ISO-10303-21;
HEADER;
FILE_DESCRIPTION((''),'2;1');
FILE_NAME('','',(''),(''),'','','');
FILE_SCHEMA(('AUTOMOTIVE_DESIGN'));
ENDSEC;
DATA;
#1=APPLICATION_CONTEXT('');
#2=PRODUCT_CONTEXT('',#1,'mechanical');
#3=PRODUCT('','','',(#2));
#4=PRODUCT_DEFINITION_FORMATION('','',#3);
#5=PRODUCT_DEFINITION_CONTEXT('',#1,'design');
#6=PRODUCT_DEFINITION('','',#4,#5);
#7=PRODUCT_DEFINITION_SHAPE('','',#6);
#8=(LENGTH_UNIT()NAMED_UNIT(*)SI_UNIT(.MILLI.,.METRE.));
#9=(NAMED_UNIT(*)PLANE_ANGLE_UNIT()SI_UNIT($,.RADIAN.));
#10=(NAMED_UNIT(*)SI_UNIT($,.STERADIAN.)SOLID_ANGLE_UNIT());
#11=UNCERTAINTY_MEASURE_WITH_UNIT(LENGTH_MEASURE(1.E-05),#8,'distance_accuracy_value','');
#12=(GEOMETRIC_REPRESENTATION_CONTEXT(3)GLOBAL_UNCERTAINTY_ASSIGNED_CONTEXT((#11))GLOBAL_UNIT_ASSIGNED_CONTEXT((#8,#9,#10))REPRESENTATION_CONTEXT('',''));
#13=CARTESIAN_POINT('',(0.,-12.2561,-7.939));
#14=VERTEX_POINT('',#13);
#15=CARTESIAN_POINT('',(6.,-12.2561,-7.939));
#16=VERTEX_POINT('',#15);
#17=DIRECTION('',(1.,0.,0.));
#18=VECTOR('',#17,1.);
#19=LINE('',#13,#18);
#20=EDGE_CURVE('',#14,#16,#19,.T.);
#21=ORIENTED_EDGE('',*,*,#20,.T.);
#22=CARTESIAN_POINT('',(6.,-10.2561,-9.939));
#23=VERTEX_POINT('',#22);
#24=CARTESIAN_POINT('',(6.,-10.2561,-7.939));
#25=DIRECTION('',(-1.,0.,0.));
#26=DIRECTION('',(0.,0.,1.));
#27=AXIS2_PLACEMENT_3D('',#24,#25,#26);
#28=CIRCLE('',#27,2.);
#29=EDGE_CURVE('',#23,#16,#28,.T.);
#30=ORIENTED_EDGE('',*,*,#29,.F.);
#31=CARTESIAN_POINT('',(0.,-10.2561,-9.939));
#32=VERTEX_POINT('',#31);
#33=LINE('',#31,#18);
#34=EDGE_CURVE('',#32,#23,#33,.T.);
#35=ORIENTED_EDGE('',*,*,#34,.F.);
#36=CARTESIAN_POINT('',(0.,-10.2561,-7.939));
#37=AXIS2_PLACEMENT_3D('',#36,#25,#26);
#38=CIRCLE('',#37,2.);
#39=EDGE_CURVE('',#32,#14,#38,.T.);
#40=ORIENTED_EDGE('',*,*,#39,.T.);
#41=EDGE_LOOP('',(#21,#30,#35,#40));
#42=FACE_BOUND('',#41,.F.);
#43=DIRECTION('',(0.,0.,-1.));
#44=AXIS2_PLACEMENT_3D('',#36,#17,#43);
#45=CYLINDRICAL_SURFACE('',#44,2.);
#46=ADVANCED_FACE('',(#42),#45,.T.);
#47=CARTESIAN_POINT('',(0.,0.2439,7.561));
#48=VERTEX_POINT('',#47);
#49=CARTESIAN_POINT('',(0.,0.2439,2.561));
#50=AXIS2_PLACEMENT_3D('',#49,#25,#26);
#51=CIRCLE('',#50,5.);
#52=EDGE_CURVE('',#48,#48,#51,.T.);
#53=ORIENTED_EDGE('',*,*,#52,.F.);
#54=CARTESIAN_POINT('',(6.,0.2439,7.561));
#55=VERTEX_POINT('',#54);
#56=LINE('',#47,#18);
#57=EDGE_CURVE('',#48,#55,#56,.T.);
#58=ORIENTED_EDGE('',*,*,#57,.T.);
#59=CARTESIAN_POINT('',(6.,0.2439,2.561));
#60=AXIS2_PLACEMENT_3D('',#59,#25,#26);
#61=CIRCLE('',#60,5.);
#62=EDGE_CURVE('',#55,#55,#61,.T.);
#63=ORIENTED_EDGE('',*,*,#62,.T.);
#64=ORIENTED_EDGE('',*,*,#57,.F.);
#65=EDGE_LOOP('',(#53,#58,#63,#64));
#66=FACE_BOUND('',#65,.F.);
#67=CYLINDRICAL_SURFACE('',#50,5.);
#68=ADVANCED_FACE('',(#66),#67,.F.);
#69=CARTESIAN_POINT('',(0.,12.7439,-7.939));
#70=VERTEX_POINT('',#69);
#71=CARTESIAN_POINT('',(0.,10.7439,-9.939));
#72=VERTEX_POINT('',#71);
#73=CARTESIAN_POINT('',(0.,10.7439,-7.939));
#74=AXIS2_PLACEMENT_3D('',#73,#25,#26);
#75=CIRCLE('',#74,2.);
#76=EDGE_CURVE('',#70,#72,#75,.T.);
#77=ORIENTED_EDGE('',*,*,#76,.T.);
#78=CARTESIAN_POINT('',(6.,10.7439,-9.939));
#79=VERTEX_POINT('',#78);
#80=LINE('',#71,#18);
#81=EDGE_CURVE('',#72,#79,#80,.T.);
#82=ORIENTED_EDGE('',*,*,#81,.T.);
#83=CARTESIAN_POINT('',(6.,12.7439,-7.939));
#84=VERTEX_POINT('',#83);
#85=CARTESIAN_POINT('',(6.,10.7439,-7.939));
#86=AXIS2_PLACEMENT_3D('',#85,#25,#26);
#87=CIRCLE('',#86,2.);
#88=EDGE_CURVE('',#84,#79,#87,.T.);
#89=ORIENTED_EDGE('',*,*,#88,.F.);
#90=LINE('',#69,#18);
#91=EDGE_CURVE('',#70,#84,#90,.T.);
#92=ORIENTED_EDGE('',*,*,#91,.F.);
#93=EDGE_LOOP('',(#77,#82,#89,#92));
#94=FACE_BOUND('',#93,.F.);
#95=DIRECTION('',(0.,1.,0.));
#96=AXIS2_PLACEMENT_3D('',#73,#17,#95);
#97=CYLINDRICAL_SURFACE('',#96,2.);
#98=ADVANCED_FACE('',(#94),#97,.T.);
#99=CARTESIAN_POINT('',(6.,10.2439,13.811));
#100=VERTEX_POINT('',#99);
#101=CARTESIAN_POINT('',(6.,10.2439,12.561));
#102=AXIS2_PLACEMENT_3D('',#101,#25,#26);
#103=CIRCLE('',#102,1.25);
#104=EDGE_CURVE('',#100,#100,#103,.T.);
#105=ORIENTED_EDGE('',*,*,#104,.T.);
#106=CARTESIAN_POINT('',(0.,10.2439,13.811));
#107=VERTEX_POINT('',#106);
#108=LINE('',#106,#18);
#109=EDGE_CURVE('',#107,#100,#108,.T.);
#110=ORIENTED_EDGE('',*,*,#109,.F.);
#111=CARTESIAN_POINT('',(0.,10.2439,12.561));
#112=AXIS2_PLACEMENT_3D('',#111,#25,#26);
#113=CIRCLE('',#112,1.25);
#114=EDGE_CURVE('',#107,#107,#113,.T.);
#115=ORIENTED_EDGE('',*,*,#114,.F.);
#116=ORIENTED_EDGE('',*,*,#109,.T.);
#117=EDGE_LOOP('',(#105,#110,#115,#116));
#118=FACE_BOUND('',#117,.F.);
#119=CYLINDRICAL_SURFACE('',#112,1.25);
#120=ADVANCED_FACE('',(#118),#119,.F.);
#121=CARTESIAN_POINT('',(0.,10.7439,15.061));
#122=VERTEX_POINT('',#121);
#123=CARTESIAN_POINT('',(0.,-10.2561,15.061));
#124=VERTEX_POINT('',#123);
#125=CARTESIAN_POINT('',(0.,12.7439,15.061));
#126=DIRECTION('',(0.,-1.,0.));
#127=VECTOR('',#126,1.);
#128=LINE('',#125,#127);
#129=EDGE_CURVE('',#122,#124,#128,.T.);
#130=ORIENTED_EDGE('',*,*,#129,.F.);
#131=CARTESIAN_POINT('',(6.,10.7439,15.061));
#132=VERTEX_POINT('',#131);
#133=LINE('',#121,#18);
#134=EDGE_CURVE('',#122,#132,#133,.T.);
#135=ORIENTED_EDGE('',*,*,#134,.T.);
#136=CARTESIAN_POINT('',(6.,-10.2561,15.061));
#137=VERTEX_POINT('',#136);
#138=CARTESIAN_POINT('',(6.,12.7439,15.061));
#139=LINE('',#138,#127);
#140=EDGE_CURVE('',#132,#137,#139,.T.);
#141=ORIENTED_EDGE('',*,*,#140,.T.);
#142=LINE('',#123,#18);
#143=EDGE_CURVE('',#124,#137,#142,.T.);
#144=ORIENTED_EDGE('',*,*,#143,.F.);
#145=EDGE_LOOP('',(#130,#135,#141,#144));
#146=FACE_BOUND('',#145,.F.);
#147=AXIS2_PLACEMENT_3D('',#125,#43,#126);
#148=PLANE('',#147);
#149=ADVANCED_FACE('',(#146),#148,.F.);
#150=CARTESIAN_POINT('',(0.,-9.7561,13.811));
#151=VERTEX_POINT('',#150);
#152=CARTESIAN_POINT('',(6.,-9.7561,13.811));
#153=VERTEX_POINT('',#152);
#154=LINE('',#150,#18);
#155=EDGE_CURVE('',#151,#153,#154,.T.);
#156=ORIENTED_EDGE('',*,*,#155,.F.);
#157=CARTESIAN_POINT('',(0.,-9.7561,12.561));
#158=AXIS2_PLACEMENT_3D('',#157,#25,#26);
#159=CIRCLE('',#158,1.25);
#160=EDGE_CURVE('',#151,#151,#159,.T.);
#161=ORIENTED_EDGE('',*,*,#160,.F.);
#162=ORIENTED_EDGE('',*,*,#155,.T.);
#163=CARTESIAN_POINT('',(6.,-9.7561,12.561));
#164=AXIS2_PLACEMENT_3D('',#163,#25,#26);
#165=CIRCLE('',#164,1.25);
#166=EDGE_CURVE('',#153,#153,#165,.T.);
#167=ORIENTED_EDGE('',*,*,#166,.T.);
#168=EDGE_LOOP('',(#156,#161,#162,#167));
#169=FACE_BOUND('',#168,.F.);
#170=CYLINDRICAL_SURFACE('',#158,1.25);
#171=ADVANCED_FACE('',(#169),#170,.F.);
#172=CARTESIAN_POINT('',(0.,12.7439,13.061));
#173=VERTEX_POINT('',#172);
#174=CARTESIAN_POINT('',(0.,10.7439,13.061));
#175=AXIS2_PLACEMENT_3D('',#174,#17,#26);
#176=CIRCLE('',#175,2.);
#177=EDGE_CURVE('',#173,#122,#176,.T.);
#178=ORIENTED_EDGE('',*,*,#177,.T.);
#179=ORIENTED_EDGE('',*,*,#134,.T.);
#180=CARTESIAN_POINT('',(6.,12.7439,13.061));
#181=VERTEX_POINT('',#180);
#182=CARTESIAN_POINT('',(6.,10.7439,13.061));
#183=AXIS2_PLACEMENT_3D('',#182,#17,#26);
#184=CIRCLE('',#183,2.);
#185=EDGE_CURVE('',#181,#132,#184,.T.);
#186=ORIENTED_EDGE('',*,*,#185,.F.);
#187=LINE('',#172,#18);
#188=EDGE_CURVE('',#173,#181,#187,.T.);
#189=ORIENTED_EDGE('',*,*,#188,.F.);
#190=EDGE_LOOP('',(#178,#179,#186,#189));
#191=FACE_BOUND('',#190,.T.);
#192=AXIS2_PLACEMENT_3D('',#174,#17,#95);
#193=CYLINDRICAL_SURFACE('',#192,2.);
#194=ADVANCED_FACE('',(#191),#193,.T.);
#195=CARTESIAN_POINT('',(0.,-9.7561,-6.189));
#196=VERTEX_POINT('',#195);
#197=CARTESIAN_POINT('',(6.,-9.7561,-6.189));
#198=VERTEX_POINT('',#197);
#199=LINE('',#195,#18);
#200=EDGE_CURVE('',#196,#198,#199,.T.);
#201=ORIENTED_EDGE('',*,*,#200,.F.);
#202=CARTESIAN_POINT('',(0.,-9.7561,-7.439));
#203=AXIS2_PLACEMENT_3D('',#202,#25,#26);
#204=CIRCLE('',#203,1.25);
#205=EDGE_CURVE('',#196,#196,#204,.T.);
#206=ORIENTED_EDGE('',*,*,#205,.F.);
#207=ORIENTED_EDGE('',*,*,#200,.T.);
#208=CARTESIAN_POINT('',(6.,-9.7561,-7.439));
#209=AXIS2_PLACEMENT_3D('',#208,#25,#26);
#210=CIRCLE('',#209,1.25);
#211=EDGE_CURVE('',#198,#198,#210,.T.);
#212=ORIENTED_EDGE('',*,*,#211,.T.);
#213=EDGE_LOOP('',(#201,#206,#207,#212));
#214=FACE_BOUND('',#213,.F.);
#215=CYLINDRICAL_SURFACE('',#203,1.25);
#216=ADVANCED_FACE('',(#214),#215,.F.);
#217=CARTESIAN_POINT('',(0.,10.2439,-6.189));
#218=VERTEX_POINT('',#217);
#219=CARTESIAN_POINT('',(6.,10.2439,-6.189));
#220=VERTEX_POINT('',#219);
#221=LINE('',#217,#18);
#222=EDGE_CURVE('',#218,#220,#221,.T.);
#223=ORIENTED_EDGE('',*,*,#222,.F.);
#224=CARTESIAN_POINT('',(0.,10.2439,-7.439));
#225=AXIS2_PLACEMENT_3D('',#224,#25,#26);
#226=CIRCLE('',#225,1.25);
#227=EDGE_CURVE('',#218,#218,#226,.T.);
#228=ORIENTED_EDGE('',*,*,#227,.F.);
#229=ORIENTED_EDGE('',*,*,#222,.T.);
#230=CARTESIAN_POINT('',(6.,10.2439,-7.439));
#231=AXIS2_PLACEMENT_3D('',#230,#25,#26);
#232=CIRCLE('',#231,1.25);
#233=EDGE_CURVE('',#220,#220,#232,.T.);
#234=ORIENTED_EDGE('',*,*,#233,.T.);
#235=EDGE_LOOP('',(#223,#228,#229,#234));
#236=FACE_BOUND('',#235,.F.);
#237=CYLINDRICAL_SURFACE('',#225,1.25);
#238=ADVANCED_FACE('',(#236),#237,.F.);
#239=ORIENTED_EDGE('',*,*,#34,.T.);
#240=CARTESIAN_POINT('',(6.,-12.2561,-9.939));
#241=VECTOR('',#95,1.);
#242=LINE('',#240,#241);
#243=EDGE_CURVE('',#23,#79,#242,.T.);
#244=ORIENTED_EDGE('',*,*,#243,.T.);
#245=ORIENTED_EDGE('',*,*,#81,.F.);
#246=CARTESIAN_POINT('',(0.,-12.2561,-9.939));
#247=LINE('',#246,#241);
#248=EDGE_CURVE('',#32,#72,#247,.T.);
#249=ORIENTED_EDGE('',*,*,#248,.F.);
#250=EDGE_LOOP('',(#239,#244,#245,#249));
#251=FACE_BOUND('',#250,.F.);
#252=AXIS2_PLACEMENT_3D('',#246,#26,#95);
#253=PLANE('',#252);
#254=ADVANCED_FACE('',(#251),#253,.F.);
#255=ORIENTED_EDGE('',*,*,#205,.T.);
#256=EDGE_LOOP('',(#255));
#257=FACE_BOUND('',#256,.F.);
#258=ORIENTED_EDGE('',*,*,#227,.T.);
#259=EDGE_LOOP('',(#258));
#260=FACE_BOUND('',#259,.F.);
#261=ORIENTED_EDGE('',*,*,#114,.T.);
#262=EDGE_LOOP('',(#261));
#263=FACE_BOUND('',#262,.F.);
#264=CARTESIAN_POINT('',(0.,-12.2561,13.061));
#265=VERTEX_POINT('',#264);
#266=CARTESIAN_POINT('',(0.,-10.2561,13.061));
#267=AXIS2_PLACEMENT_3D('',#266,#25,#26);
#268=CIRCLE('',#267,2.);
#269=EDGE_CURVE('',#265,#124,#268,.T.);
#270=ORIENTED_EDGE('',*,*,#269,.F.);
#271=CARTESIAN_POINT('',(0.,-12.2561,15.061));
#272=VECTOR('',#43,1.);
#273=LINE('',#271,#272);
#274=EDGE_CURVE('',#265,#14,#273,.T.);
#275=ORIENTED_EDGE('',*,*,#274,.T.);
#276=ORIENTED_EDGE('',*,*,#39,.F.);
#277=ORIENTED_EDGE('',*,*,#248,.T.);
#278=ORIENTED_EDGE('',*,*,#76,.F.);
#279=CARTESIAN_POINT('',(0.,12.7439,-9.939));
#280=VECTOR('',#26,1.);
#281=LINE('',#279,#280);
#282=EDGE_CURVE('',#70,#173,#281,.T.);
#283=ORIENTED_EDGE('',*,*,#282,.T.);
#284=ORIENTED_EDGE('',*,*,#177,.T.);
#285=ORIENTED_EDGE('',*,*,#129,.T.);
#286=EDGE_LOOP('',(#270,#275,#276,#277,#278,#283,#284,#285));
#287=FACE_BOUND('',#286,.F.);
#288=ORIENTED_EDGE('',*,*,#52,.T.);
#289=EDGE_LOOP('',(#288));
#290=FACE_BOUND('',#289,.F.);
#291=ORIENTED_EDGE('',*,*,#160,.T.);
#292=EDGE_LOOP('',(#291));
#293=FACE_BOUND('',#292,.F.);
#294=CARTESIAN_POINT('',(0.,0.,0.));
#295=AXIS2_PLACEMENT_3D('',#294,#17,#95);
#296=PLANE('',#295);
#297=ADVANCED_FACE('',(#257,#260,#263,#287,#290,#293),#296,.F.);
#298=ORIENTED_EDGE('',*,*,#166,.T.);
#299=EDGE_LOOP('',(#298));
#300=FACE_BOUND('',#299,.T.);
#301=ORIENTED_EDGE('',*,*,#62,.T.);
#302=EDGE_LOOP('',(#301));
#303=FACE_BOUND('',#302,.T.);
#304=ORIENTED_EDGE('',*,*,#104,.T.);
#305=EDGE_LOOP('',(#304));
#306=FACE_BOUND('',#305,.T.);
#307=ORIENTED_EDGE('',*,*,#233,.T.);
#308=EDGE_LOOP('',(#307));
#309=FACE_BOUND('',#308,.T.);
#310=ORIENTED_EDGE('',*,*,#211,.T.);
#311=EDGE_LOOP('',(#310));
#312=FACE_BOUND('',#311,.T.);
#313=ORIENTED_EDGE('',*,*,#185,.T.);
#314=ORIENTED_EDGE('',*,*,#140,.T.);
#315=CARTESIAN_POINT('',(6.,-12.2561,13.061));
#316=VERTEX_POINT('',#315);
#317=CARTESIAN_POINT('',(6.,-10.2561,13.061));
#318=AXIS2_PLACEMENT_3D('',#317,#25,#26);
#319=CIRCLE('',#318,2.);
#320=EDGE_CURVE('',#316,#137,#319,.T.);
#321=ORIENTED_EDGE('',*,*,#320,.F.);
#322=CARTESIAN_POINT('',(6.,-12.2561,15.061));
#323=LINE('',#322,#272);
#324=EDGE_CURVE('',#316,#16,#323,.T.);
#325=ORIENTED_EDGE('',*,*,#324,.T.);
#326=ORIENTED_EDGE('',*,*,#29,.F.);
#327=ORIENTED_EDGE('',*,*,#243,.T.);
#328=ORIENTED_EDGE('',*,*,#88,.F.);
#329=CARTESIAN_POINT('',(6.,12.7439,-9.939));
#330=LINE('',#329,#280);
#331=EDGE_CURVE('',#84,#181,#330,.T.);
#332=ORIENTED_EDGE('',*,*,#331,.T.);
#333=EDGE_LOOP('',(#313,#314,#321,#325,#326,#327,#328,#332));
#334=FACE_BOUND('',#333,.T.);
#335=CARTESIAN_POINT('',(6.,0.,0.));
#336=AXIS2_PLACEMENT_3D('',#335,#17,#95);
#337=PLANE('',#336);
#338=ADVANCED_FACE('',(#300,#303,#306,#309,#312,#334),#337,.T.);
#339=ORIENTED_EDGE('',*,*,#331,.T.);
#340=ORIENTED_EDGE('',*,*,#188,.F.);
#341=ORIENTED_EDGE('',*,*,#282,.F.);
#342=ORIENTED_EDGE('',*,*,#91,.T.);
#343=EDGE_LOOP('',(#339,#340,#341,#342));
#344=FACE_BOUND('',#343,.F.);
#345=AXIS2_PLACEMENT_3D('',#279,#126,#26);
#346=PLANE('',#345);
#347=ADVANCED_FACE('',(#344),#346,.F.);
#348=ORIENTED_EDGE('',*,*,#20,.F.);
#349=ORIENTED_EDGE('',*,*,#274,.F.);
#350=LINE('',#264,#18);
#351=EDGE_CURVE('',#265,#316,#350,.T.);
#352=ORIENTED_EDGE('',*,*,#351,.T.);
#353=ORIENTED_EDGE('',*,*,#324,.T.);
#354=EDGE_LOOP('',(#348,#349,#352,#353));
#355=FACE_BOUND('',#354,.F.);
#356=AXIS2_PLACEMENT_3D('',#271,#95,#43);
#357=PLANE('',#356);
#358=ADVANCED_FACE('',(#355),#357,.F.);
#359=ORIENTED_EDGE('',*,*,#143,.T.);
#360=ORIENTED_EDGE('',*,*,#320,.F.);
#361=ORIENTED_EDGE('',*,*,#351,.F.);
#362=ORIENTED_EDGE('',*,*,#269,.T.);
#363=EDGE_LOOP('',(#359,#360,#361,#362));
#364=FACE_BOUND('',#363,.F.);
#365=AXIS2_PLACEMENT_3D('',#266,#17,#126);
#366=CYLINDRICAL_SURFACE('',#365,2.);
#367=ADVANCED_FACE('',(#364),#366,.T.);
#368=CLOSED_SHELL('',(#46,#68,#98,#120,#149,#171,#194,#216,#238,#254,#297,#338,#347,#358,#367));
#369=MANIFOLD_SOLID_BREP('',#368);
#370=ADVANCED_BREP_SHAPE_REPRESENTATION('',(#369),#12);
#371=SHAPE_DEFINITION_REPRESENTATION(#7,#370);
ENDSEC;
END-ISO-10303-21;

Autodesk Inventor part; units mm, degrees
ref_plane "YZ Plane" through (0, 0, 0) normal (1, 0, 0) x (0, 1, 0)
ref_plane "XZ Plane" through (0, 0, 0) normal (0, 1, 0) x (-1, 0, 0)
ref_plane "XY Plane" through (0, 0, 0) normal (0, 0, 1) x (1, 0, 0)
sketch "Sketch1" plane through (0, 0, 0) normal (1, 0, 0) x (0, 1, 0)
  line L0 (12.7439, 15.061) -> (-12.2561, 15.061)
  line L1 (-12.2561, 15.061) -> (-12.2561, -9.939)
  line L2 (-12.2561, -9.939) -> (12.7439, -9.939)
  line L3 (12.7439, -9.939) -> (12.7439, 15.061)
  point P0 (0, 0)
  dimension "d0" = 25
  dimension "d1" = 25
extrude "Extrusion1" add sketch "Sketch1" along normal blind 6
fillet "Fillet1" radius 2 4 edges at (3, -12.2561, 15.061) (3, 12.7439, 15.061) (3, -12.2561, -9.939) (3, 12.7439, -9.939)
sketch "Sketch2" plane through (0, 0, 0) normal (-1, 0, 0) x (0, 0, 1)
  circle A0 centre (12.561, 10.2439) radius 1.25
  circle A1 centre (12.561, -9.7561) radius 1.25
  circle A2 centre (-7.439, -9.7561) radius 1.25
  circle A3 centre (-7.439, 10.2439) radius 1.25
  line L0 (15.061, 10.7439) -> (15.061, -10.2561) projected
  line L1 (-7.939, 12.7439) -> (13.061, 12.7439) projected
  line L2 (13.061, -12.2561) -> (-7.939, -12.2561) projected
  line L3 (-9.939, -10.2561) -> (-9.939, 10.7439) projected
  point P0 (0, 0)
  dimension "d5" = 2.5
  dimension "d6" = 2.5
  dimension "d7" = 2.5
  dimension "d8" = 2.5
  dimension "d9" = 2.5
  dimension "d10" = 2.5
  dimension "d11" = 2.5
  dimension "d12" = 2.5
  dimension "d13" = 2.5
  dimension "d14" = 2.5
  dimension "d15" = 2.5
  dimension "d16" = 2.5
extrude "Extrusion2" cut sketch "Sketch2" against normal through all
sketch "Sketch3" plane through (0, 0, 0) normal (-1, 0, 0) x (0, 0, 1)
  circle A0 centre (2.561, 0.2439) radius 5
  line L0 (13.061, -12.2561) -> (-7.939, -12.2561) projected
  line L1 (15.061, 10.7439) -> (15.061, -10.2561) projected
  point P0 (0, 0)
  dimension "d19" = 10
  dimension "d20" = 12.5
  dimension "d21" = 12.5
extrude "Extrusion3" cut sketch "Sketch3" against normal blind 10
properties part number "25mmx25mmx6mm_fan"
